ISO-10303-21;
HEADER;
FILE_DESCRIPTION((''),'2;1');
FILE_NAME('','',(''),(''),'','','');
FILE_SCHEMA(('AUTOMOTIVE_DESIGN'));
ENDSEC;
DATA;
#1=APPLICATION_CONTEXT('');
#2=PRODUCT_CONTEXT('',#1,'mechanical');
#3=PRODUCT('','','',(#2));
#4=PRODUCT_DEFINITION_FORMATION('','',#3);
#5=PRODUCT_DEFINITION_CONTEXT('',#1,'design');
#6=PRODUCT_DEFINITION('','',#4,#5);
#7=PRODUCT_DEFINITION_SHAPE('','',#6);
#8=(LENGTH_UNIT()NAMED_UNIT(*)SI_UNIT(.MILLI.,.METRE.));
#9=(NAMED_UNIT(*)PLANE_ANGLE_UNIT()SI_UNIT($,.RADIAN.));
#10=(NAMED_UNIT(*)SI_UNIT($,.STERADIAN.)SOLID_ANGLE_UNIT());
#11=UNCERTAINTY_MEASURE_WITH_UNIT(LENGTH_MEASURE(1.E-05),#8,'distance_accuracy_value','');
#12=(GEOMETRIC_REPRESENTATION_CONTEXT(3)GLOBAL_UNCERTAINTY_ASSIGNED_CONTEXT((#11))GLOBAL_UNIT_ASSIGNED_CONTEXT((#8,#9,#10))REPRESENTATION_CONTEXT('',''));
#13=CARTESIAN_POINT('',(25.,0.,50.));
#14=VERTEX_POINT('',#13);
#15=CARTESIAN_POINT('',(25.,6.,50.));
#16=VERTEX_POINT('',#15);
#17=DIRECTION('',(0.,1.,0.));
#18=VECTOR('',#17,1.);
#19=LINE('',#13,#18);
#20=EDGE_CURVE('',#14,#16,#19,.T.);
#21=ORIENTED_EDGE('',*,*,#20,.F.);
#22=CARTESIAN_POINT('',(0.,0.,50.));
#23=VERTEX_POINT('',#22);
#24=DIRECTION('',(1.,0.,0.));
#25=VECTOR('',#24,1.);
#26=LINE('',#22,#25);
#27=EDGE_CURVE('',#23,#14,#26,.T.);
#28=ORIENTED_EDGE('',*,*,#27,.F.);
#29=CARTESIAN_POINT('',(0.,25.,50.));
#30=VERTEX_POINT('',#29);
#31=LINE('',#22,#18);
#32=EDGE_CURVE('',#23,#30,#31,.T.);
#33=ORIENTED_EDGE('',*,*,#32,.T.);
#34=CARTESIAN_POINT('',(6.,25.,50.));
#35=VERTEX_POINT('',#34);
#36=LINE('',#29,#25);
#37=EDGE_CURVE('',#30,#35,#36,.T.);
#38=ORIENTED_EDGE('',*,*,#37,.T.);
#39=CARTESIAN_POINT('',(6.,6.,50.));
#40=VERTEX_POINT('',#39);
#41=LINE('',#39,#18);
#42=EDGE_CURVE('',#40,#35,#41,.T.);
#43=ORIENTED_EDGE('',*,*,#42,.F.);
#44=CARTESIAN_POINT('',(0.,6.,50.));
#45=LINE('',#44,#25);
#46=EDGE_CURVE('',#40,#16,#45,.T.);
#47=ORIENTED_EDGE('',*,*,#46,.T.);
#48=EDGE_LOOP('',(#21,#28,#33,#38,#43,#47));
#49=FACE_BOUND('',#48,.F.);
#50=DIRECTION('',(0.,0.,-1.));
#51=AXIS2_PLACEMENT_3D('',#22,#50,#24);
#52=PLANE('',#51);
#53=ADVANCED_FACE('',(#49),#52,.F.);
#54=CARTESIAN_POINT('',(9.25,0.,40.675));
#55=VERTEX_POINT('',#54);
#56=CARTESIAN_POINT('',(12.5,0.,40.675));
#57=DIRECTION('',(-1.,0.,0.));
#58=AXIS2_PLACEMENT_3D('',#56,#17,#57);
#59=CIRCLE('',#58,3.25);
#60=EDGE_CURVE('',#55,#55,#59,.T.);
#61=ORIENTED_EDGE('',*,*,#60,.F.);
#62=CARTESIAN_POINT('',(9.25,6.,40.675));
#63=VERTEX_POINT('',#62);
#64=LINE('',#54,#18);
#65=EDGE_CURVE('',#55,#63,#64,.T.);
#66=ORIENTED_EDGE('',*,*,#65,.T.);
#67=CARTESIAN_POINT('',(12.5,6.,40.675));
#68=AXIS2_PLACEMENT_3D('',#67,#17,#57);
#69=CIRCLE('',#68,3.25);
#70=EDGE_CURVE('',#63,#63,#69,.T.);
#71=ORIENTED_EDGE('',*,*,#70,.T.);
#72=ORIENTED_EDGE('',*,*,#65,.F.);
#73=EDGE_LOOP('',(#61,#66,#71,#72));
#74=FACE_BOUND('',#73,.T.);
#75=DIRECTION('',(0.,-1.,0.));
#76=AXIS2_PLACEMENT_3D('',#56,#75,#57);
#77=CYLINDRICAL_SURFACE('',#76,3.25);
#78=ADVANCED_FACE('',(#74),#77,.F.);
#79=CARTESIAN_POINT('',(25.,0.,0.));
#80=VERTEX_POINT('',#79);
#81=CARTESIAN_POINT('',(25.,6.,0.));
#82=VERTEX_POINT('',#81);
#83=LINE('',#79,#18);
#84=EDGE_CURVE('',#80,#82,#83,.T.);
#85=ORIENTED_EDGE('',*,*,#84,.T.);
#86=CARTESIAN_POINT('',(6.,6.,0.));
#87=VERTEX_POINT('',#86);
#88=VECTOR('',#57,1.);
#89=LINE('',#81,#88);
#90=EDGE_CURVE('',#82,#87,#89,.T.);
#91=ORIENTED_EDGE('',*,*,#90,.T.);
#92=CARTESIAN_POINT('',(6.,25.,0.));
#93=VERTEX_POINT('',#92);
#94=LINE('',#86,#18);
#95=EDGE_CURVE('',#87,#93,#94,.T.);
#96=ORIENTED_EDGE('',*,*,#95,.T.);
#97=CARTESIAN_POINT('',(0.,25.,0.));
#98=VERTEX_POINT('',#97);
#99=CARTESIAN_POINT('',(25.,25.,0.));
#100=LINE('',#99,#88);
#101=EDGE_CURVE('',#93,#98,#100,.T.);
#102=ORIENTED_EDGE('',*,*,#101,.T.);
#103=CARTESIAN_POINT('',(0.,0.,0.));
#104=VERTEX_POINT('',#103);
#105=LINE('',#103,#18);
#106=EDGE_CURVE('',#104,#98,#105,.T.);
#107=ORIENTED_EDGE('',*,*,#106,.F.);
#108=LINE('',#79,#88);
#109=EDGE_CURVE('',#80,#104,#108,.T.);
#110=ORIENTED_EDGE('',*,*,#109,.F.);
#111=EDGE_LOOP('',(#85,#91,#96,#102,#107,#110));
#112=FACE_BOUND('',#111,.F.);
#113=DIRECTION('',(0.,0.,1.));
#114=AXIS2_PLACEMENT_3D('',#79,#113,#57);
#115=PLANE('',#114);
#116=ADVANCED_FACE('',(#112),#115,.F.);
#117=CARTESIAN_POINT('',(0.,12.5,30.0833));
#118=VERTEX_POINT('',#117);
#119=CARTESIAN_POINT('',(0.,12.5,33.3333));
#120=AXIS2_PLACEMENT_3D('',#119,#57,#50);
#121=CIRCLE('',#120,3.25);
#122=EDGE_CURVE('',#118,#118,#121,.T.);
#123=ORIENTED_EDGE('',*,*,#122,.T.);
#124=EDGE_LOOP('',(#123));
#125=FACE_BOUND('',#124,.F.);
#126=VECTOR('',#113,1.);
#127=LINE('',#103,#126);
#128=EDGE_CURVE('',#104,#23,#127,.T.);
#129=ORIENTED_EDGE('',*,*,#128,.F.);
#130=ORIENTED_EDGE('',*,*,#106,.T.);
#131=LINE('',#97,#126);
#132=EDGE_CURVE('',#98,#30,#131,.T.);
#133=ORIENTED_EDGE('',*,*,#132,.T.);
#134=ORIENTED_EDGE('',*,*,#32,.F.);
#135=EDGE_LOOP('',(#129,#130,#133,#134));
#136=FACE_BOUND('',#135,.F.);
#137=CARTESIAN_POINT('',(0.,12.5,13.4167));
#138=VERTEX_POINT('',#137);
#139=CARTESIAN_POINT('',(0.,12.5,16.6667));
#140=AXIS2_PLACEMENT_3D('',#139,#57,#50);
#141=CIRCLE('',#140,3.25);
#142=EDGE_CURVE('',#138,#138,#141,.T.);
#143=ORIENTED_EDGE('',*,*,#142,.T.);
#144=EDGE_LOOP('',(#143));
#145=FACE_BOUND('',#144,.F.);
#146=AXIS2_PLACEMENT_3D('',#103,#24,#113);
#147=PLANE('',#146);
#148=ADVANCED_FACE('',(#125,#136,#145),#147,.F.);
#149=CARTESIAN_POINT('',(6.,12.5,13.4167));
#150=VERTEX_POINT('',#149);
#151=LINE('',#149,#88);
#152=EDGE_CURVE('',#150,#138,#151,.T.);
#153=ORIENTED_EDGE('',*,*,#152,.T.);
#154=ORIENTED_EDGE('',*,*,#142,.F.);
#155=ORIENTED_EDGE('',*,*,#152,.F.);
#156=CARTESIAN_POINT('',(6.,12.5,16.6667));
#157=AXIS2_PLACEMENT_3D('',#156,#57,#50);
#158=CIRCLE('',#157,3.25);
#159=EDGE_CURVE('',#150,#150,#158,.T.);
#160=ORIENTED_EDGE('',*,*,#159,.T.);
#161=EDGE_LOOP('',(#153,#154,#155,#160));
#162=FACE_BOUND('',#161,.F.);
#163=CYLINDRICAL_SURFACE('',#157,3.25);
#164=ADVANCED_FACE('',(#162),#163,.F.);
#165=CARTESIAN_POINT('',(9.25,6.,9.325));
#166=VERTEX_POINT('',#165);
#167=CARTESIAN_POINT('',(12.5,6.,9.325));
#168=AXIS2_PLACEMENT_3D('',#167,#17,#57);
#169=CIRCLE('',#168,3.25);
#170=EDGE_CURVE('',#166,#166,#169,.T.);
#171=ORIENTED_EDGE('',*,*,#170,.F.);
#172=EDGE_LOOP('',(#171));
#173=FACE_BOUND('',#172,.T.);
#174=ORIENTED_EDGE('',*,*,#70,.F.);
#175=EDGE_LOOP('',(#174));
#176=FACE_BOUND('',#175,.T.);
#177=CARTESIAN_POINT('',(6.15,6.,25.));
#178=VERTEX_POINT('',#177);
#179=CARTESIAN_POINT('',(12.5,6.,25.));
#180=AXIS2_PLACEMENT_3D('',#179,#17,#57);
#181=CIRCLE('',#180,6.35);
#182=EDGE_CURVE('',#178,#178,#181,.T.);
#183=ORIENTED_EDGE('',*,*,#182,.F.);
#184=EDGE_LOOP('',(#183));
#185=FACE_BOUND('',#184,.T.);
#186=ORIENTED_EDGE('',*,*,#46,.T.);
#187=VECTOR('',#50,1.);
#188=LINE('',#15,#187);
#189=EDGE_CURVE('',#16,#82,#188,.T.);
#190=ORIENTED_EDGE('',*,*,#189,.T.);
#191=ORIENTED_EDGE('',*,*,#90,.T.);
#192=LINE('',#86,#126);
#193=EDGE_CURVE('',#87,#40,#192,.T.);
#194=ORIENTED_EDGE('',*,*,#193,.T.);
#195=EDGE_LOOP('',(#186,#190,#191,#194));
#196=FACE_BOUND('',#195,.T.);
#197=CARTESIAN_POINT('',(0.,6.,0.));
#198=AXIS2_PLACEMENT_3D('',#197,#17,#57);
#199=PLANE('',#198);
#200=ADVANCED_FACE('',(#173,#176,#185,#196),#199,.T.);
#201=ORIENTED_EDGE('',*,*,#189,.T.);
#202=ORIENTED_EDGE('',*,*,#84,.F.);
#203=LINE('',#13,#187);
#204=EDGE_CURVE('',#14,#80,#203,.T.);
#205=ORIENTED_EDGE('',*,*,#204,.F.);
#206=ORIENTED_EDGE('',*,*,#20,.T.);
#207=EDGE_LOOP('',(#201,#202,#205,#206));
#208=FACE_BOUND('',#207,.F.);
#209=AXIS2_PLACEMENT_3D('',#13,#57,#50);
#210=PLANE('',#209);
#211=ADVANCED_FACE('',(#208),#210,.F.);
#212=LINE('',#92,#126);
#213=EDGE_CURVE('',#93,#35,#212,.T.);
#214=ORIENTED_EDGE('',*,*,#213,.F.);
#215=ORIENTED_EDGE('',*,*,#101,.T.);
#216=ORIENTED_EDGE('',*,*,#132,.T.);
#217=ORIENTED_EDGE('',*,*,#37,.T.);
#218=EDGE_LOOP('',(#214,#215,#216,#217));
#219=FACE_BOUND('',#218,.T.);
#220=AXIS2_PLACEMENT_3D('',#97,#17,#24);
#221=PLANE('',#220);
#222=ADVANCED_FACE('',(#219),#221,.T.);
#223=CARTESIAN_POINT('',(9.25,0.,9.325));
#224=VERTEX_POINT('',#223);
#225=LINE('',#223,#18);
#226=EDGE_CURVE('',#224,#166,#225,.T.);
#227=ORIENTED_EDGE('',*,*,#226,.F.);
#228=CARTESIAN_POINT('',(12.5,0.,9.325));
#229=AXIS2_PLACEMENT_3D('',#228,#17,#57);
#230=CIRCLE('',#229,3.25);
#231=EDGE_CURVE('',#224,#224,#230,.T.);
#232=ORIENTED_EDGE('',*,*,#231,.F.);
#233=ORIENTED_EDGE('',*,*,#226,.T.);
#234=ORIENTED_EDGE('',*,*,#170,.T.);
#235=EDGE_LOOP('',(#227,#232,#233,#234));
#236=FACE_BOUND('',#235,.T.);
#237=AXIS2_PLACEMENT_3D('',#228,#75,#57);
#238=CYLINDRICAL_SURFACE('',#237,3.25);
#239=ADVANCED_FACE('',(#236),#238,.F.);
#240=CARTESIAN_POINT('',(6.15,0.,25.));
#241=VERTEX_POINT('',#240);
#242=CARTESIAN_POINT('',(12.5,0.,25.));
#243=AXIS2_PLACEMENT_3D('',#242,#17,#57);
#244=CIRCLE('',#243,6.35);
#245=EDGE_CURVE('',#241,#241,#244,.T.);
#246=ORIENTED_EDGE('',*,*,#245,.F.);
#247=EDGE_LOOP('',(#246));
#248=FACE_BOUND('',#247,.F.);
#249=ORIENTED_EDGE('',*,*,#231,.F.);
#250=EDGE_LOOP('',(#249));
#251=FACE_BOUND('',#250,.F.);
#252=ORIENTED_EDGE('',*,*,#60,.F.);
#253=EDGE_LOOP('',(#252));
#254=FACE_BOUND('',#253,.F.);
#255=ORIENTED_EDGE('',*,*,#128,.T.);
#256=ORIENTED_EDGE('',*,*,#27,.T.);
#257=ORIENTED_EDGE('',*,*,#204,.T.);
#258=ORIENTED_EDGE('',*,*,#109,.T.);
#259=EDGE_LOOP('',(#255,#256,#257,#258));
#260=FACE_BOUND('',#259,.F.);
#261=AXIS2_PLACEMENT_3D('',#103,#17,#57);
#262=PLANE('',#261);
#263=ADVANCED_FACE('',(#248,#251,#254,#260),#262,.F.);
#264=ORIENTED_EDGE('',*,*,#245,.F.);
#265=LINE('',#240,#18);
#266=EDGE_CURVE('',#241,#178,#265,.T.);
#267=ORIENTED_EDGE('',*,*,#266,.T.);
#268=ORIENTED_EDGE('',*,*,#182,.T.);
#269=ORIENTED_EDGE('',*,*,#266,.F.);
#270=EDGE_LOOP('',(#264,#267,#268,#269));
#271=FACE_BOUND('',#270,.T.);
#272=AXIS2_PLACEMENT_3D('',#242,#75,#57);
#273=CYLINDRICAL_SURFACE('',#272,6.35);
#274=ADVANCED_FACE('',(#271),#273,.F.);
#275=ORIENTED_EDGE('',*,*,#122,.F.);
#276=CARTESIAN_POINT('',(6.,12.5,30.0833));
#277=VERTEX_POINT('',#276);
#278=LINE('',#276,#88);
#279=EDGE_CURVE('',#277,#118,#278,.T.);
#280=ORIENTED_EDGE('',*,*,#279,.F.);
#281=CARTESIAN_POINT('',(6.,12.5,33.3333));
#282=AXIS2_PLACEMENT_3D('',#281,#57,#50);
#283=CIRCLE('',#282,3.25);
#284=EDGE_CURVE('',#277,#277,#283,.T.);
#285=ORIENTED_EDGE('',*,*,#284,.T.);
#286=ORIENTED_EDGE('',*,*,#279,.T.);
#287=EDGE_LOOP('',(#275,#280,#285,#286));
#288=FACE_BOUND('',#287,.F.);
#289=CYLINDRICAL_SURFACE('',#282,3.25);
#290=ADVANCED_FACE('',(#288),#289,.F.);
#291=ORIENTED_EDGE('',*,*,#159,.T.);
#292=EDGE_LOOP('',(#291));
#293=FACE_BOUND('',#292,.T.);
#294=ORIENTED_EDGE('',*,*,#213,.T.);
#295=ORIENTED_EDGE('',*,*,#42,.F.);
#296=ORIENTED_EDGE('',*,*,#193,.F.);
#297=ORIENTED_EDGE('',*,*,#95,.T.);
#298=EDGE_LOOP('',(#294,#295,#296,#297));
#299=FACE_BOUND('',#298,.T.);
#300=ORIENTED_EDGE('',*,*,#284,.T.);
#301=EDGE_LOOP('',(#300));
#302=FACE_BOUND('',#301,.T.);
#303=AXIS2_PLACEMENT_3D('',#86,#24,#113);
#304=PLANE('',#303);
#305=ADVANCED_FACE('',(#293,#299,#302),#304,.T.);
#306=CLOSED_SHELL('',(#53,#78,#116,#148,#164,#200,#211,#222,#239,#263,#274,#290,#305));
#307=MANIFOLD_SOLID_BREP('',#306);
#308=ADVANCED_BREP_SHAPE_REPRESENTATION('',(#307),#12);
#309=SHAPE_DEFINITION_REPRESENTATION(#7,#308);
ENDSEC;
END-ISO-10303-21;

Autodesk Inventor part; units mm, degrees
ref_plane "YZ Plane" through (0, 0, 0) normal (1, 0, 0) x (0, 1, 0)
ref_plane "XZ Plane" through (0, 0, 0) normal (0, 1, 0) x (-1, 0, 0)
ref_plane "XY Plane" through (0, 0, 0) normal (0, 0, 1) x (1, 0, 0)
sketch "Sketch1" plane through (0, 0, 0) normal (0, 1, 0) x (-1, 0, 0)
  line L0 (0, 0) -> (0, 50)
  line L1 (0, 50) -> (-25, 50)
  line L2 (-25, 50) -> (-25, 0)
  line L3 (-25, 0) -> (0, 0)
  circle A0 centre (-12.5, 25) radius 6.35
  circle A1 centre (-12.5, 40.675) radius 3.25
  circle A2 centre (-12.5, 9.325) radius 3.25
  dimension "d0" = 50
  dimension "d1" = 25
  dimension "d2" = 12.7
  dimension "d3" = 6.5
  dimension "d4" = 6.5
extrude "Extrusion1" add sketch "Sketch1" along normal blind 6
sketch "Sketch2" plane through (0, 6, 0) normal (0, 1, 0) x (1, 0, 0)
  line L0 (25, 0) -> (0, 0) projected
  line L1 (0, 0) -> (6, 0)
  line L2 (6, 0) -> (6, -50)
  line L3 (0, -50) -> (25, -50) projected
  line L4 (0, 0) -> (0, -50) projected
  line L5 (0, -50) -> (0, 0)
  dimension "d7" = 6
extrude "Extrusion2" add sketch "Sketch2" along normal blind 19
sketch "Sketch3" plane through (6, 6, 50) normal (1, 0, 0) x (0, 0, -1)
  circle A0 centre (16.6667, 6.5) radius 3.25
  circle A1 centre (33.3333, 6.5) radius 3.25
  point P0 (50, -6)
  dimension "d10" = 6.5
  dimension "d11" = 6.5
hole "Hole1" at (6, 12.5, 33.3333) at (6, 12.5, 16.6667) direction (-1, 0, 0) diameter 6.5 depth 111
properties part number "Roter_shaft_support_base"
